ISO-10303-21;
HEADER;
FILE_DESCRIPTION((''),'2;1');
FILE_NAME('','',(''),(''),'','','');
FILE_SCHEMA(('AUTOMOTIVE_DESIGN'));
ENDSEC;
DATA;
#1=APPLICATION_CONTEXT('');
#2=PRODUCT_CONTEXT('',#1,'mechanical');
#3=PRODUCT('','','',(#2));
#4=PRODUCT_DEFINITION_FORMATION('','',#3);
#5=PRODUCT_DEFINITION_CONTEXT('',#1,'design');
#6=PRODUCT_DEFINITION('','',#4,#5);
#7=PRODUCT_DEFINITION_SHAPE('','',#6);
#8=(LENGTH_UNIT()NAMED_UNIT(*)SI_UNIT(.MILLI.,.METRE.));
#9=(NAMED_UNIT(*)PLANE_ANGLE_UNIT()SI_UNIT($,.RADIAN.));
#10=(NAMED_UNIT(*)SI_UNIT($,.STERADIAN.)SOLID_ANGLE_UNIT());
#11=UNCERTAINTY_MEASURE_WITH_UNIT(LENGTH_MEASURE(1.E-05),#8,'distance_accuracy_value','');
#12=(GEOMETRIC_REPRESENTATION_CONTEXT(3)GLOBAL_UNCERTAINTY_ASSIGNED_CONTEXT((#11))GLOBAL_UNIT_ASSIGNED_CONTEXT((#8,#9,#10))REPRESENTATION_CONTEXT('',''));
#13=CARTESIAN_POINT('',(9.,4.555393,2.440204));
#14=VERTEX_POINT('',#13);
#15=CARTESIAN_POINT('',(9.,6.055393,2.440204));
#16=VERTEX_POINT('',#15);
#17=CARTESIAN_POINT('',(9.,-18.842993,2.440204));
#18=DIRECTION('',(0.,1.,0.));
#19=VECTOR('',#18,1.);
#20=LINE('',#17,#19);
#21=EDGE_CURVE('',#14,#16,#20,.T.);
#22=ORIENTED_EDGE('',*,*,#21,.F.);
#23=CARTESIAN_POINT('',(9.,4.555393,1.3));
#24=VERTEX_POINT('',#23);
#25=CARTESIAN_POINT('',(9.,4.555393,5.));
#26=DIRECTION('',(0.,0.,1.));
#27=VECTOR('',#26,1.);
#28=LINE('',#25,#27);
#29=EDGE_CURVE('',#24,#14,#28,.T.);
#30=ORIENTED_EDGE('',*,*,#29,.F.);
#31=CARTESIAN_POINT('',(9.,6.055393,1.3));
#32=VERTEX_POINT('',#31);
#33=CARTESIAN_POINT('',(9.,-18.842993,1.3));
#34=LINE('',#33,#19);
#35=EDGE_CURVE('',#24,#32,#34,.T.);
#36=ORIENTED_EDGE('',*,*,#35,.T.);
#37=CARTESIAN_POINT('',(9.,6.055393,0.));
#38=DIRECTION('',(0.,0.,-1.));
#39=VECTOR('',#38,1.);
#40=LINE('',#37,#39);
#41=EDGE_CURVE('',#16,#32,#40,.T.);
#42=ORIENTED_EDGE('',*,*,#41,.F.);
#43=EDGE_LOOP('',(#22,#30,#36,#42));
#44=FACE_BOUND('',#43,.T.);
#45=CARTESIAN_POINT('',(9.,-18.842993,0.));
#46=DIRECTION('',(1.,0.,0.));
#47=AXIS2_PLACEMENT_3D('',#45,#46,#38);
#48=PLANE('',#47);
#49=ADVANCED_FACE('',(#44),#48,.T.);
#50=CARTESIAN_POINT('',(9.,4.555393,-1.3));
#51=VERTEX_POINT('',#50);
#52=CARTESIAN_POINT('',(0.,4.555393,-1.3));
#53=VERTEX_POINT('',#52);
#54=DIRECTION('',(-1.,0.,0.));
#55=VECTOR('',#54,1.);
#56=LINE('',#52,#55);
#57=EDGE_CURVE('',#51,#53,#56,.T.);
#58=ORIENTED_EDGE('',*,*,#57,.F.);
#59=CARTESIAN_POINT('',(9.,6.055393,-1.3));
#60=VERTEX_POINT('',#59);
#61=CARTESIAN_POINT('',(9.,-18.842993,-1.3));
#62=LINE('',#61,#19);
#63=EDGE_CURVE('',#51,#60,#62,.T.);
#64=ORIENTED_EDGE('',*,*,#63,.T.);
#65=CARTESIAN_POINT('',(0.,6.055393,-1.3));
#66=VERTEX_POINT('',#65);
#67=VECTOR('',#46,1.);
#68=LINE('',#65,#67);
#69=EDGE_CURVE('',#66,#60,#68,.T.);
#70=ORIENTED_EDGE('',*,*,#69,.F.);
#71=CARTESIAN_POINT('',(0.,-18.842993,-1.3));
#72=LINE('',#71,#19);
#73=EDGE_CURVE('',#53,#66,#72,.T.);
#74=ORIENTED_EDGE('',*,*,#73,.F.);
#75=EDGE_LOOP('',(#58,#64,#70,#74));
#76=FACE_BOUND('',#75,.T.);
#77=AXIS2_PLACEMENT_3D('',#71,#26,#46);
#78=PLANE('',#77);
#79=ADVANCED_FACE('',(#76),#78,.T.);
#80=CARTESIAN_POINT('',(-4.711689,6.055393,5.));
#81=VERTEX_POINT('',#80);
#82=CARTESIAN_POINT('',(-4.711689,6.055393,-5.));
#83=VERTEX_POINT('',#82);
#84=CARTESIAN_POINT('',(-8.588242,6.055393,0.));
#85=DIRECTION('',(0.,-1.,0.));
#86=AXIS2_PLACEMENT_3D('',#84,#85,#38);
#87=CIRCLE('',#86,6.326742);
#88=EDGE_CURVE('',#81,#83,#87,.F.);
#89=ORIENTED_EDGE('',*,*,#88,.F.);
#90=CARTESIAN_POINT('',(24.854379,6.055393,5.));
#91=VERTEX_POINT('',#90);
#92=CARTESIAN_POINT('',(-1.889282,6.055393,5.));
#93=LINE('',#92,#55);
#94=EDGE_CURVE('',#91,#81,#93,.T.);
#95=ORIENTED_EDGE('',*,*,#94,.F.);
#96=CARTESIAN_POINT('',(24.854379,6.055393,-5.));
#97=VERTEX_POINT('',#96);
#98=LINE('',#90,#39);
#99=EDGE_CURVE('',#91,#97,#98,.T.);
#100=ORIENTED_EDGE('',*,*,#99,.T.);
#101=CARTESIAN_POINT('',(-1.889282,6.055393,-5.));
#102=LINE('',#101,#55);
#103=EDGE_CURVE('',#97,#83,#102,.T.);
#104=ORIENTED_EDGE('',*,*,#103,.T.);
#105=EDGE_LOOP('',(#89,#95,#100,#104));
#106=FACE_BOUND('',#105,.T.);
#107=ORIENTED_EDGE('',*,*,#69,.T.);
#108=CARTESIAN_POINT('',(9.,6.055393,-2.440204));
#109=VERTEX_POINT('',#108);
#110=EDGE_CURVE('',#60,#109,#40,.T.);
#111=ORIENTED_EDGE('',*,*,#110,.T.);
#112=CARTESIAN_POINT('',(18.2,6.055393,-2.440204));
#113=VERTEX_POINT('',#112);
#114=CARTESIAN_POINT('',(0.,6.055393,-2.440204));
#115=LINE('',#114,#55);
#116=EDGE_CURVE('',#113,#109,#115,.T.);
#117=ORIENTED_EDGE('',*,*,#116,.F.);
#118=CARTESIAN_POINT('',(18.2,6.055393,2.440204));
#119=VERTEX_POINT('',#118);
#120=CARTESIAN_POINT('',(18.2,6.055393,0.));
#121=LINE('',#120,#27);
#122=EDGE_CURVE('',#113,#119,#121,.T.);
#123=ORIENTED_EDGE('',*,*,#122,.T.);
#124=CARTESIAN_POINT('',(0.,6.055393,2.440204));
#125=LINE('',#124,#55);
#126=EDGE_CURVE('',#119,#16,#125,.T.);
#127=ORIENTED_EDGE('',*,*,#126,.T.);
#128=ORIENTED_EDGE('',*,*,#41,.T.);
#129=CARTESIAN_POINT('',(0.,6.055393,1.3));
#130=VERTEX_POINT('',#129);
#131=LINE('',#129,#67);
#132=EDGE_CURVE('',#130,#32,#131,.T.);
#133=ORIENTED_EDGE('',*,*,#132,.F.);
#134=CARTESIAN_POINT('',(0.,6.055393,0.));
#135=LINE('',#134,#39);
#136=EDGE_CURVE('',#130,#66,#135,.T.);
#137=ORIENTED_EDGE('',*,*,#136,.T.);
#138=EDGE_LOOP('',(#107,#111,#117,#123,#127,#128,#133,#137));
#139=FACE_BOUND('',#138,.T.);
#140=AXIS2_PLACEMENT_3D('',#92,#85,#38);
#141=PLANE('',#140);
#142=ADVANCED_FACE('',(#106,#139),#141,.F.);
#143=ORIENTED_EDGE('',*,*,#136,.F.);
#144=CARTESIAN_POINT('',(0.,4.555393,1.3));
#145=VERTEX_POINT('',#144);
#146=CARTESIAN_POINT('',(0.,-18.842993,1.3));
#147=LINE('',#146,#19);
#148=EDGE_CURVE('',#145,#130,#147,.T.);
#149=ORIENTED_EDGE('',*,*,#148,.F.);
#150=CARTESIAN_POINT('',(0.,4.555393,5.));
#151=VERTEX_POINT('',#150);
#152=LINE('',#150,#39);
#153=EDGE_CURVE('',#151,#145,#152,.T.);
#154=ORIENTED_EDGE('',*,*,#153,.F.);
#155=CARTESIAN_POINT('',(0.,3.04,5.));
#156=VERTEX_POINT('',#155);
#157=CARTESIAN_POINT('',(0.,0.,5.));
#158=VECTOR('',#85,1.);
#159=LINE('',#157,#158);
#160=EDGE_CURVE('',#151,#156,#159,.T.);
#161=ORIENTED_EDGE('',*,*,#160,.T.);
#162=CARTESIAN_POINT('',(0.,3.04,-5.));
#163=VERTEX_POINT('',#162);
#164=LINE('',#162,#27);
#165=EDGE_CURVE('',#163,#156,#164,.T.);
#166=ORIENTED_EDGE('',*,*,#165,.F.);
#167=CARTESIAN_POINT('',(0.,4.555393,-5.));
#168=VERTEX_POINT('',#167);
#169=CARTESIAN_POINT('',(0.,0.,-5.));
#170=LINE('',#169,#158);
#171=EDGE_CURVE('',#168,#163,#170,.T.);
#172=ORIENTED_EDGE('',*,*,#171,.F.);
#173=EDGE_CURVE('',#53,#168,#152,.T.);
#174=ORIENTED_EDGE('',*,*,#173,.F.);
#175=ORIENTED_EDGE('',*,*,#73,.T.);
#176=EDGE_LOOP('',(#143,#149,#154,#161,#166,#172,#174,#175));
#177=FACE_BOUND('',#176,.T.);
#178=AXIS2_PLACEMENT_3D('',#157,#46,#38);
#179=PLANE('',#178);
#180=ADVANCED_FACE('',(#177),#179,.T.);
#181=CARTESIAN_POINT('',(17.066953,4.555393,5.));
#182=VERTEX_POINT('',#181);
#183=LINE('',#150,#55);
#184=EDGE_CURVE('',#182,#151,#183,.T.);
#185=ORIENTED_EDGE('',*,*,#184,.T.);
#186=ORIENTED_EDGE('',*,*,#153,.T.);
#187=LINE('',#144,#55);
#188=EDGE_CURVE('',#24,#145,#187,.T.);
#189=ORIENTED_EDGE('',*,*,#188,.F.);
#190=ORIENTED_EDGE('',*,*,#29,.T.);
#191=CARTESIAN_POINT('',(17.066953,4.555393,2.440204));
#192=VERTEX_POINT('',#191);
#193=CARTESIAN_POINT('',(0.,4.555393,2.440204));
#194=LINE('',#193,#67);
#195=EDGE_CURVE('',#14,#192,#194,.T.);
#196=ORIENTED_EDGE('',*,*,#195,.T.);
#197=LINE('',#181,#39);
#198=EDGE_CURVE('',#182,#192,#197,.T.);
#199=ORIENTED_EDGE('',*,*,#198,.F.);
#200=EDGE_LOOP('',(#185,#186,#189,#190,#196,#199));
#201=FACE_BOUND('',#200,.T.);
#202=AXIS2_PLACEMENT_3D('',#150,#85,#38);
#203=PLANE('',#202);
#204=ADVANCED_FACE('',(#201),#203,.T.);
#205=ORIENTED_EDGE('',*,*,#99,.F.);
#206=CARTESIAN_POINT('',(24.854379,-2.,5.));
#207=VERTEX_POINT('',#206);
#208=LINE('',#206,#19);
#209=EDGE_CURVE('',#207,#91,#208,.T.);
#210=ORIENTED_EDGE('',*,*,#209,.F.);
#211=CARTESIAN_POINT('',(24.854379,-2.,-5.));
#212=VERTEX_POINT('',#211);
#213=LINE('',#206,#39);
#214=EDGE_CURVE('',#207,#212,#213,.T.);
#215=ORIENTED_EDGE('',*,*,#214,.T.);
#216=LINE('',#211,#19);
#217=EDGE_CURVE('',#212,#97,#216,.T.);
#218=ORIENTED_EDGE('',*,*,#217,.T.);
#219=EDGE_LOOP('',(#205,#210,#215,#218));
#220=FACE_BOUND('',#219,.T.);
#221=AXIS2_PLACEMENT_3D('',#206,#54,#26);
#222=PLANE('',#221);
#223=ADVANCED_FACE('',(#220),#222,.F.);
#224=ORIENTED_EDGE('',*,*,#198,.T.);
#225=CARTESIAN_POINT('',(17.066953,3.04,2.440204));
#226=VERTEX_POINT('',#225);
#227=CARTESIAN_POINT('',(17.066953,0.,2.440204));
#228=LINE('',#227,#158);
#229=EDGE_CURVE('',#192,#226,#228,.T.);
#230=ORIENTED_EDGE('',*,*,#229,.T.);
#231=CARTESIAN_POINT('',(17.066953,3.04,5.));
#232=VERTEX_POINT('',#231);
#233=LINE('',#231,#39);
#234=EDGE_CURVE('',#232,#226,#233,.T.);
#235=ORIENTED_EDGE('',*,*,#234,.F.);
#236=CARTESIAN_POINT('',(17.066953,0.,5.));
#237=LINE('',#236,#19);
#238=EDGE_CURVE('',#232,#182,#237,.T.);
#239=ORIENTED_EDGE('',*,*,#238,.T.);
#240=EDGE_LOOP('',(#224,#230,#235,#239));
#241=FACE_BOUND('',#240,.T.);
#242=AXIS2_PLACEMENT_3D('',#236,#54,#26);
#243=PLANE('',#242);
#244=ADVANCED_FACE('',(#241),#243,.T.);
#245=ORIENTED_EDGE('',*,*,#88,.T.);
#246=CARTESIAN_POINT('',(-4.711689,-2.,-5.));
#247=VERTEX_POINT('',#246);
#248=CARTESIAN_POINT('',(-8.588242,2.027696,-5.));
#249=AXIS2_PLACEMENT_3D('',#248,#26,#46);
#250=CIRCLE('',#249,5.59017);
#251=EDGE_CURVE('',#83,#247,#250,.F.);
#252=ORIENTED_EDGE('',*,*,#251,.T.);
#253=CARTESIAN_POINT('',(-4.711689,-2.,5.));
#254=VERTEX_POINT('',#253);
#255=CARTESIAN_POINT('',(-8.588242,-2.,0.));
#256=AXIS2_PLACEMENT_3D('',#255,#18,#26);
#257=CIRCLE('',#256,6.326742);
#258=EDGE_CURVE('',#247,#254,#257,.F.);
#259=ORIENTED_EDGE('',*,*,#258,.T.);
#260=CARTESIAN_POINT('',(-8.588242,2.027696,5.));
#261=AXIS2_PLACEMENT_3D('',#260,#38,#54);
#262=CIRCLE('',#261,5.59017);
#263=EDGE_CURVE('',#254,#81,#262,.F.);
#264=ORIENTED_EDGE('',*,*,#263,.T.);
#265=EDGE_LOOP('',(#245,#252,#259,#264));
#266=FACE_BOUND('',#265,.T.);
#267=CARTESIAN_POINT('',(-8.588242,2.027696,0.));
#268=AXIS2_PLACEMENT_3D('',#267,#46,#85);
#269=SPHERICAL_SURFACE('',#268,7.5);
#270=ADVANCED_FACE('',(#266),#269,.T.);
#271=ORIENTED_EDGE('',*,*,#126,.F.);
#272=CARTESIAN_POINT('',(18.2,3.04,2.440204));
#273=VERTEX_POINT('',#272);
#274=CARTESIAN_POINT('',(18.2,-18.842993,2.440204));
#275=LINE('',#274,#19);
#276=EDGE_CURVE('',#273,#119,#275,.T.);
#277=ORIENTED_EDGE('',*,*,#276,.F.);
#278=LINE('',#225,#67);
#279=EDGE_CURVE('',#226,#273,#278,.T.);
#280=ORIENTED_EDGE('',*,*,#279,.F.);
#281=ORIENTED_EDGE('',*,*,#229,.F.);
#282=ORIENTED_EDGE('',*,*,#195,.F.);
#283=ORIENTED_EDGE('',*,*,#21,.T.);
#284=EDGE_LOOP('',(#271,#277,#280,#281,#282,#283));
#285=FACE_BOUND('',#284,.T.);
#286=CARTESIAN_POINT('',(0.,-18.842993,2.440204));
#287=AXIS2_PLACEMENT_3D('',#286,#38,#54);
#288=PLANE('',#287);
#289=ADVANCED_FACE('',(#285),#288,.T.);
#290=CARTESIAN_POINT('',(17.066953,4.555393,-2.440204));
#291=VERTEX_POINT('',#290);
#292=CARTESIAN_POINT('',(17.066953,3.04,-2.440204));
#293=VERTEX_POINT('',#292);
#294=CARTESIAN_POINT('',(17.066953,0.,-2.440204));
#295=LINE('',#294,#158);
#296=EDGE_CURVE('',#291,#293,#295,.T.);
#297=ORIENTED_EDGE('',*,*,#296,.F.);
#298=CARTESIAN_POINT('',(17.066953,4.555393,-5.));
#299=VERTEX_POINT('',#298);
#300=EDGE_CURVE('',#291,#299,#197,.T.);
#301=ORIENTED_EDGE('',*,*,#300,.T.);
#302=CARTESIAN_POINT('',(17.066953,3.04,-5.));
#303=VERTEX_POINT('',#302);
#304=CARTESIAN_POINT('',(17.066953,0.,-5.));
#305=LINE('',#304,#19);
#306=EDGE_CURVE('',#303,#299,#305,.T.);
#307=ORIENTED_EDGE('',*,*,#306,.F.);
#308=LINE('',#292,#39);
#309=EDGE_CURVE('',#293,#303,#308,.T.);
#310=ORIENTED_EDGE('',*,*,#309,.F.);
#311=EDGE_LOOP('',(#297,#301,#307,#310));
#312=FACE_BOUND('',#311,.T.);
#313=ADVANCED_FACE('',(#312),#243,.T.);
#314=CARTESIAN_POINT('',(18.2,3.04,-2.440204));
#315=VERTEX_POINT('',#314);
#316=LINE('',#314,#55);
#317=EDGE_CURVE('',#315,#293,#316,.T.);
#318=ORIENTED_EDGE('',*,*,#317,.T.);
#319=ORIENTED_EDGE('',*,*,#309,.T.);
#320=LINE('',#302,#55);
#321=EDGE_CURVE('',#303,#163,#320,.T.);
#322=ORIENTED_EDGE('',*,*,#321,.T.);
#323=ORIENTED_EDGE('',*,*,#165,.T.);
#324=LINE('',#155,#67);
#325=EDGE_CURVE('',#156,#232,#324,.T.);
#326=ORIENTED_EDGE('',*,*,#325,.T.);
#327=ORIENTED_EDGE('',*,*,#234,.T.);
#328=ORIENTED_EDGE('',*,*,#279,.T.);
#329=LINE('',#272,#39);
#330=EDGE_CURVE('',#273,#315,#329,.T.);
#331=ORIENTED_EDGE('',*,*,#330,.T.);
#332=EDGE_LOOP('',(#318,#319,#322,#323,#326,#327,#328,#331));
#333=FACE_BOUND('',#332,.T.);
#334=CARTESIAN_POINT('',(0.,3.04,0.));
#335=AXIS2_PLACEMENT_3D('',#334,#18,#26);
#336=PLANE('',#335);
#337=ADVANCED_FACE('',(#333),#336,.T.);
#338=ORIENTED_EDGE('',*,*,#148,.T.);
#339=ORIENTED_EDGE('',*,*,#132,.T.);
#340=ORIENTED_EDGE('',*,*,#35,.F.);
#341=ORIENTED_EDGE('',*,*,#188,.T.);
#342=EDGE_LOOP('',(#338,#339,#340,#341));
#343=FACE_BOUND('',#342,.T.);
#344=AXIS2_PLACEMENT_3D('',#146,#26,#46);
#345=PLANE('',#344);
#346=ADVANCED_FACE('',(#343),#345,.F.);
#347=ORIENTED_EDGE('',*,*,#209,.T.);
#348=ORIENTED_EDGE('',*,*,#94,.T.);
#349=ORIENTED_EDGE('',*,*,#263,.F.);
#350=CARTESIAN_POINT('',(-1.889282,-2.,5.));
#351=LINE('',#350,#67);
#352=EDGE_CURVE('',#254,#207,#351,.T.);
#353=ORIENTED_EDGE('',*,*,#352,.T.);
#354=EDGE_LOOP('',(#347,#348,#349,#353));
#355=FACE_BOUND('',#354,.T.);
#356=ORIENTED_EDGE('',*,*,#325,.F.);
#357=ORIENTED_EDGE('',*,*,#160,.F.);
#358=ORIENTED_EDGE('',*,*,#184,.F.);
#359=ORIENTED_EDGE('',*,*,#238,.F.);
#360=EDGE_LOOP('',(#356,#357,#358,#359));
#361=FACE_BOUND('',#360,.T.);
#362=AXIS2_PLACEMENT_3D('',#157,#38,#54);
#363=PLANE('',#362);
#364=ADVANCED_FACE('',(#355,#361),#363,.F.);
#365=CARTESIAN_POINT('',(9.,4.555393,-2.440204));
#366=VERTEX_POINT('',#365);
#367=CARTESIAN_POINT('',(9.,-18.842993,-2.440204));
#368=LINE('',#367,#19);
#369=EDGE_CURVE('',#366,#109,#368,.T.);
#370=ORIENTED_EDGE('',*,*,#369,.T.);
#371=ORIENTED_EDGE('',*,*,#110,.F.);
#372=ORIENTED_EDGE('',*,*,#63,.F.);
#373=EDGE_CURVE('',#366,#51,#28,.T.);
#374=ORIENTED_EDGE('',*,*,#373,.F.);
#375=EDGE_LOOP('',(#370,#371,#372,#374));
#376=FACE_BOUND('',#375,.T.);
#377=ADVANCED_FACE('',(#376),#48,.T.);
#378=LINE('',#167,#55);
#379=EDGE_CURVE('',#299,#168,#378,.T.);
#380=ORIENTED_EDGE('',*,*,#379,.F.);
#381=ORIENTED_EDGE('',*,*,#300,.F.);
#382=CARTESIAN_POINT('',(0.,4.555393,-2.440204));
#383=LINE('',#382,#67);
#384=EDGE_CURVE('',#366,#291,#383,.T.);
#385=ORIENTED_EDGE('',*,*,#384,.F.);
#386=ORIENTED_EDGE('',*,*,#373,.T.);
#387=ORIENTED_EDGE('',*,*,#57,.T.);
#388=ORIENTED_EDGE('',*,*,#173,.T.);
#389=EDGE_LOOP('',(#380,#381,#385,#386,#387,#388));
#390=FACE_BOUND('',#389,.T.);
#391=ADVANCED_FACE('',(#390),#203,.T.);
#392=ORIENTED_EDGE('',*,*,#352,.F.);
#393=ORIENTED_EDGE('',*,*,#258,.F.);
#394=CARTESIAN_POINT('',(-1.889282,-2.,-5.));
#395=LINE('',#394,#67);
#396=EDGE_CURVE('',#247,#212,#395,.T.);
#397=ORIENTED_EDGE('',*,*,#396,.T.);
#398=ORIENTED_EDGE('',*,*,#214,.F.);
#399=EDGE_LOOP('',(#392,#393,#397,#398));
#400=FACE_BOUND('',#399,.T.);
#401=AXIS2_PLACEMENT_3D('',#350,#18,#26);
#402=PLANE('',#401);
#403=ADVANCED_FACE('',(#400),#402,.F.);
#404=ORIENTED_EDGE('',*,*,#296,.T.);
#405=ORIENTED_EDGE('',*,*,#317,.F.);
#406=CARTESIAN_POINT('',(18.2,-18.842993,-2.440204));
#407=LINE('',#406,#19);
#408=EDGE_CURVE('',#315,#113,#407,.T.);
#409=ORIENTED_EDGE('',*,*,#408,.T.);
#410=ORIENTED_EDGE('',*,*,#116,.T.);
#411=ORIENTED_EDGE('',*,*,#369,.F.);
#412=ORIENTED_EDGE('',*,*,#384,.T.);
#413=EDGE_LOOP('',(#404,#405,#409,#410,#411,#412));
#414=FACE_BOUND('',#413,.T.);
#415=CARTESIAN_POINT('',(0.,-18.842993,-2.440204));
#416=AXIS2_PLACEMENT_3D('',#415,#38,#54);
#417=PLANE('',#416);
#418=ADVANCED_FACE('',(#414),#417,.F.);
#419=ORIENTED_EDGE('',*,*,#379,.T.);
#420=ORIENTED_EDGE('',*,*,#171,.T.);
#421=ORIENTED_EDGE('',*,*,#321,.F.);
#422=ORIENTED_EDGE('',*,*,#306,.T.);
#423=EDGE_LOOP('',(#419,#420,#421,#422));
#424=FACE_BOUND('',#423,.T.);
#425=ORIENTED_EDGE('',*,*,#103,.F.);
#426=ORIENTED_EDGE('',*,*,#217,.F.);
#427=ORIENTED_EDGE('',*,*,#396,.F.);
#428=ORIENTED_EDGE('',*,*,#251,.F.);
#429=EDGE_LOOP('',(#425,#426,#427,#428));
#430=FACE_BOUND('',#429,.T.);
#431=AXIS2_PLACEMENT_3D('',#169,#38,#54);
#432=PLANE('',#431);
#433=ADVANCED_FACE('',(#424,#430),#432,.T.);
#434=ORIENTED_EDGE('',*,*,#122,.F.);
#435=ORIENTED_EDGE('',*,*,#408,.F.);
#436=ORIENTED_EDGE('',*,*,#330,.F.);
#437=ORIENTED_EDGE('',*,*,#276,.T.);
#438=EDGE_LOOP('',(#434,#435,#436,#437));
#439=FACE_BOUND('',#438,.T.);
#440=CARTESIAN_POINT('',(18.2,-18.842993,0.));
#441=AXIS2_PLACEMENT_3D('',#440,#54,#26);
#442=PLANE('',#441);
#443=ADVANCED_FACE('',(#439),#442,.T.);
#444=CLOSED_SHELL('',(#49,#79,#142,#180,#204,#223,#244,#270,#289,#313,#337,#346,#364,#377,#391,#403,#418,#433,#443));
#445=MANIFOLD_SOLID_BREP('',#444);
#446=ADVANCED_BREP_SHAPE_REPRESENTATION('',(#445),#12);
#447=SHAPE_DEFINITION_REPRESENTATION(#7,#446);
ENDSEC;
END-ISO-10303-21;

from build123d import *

# Parameters (mm, degrees)
CROQUIS2_W              = 26.743660572
CROQUIS2_H              = 8.055392927
CROQUIS2_W_2            = 17.066952721
CROQUIS2_H_2            = 4.555392927
SALIENTE_EXTRUIR1_DEPTH = 5
CORTAR_EXTRUIR1_DEPTH   = 6.055393
SALIENTE_EXTRUIR2_DEPTH = 3.04
CROQUIS7_W              = 10
CROQUIS7_H              = 8.055392927
SALIENTE_EXTRUIR3_DEPTH = 3.04


with BuildPart() as part:
    # Croquis2 → Saliente-Extruir1 (new body, symmetric)
    with BuildSketch(Plane.XY):
        with Locations((11.482548502, 2.027696464)):
            Rectangle(CROQUIS2_W, CROQUIS2_H)
        with Locations((8.53347636, 2.277696464)):
            Rectangle(CROQUIS2_W_2, CROQUIS2_H_2, mode=Mode.SUBTRACT)
    extrude(amount=SALIENTE_EXTRUIR1_DEPTH, both=True)

    # Croquis3 → Cortar-Extruir1 (cut)
    with BuildSketch(Plane(origin=(0, 6.055392927, 0), x_dir=(1, 0, 0), z_dir=(0, 1, 0))):
        Polygon((9, -2.44020423), (9, -1.3), (0, -1.3), (0, 1.3), (9, 1.3), (9, 2.44020423), (18.2, 2.44020423), (18.2, -2.44020423), align=None)
    extrude(amount=-CORTAR_EXTRUIR1_DEPTH, mode=Mode.SUBTRACT)

    # Croquis4 → Saliente-Extruir2 (add)
    with BuildSketch(Plane(origin=(0, 0, 0), x_dir=(1, 0, 0), z_dir=(0, 1, 0))):
        Polygon((17.066952721, 5), (0, 5), (0, -5), (17.066952721, -5), (17.066952721, -2.44020423), (18.2, -2.44020423), (18.2, 2.44020423), (17.066952721, 2.44020423), align=None)
    extrude(amount=SALIENTE_EXTRUIR2_DEPTH)

    # Croquis6 → Revolución1 (revolve)
    with BuildSketch(Plane.XY):
        with BuildLine():
            Line((-1.088241608, 2.027696464), (-16.088241608, 2.027696464))
            ThreePointArc((-16.088241608, 2.027696464), (-8.588241608, 9.527696464), (-1.088241608, 2.027696464))
        make_face()
    revolve(axis=Axis((-1.889281784, 2.027696464, 0), (-1, 0, 0)))

    # Croquis7 → Saliente-Extruir3 (add)
    with BuildSketch(Plane.ZY.offset(1.889281784)):
        with Locations((0, 2.027696464)):
            Rectangle(CROQUIS7_W, CROQUIS7_H)
    extrude(amount=SALIENTE_EXTRUIR3_DEPTH)


solid = part.part
